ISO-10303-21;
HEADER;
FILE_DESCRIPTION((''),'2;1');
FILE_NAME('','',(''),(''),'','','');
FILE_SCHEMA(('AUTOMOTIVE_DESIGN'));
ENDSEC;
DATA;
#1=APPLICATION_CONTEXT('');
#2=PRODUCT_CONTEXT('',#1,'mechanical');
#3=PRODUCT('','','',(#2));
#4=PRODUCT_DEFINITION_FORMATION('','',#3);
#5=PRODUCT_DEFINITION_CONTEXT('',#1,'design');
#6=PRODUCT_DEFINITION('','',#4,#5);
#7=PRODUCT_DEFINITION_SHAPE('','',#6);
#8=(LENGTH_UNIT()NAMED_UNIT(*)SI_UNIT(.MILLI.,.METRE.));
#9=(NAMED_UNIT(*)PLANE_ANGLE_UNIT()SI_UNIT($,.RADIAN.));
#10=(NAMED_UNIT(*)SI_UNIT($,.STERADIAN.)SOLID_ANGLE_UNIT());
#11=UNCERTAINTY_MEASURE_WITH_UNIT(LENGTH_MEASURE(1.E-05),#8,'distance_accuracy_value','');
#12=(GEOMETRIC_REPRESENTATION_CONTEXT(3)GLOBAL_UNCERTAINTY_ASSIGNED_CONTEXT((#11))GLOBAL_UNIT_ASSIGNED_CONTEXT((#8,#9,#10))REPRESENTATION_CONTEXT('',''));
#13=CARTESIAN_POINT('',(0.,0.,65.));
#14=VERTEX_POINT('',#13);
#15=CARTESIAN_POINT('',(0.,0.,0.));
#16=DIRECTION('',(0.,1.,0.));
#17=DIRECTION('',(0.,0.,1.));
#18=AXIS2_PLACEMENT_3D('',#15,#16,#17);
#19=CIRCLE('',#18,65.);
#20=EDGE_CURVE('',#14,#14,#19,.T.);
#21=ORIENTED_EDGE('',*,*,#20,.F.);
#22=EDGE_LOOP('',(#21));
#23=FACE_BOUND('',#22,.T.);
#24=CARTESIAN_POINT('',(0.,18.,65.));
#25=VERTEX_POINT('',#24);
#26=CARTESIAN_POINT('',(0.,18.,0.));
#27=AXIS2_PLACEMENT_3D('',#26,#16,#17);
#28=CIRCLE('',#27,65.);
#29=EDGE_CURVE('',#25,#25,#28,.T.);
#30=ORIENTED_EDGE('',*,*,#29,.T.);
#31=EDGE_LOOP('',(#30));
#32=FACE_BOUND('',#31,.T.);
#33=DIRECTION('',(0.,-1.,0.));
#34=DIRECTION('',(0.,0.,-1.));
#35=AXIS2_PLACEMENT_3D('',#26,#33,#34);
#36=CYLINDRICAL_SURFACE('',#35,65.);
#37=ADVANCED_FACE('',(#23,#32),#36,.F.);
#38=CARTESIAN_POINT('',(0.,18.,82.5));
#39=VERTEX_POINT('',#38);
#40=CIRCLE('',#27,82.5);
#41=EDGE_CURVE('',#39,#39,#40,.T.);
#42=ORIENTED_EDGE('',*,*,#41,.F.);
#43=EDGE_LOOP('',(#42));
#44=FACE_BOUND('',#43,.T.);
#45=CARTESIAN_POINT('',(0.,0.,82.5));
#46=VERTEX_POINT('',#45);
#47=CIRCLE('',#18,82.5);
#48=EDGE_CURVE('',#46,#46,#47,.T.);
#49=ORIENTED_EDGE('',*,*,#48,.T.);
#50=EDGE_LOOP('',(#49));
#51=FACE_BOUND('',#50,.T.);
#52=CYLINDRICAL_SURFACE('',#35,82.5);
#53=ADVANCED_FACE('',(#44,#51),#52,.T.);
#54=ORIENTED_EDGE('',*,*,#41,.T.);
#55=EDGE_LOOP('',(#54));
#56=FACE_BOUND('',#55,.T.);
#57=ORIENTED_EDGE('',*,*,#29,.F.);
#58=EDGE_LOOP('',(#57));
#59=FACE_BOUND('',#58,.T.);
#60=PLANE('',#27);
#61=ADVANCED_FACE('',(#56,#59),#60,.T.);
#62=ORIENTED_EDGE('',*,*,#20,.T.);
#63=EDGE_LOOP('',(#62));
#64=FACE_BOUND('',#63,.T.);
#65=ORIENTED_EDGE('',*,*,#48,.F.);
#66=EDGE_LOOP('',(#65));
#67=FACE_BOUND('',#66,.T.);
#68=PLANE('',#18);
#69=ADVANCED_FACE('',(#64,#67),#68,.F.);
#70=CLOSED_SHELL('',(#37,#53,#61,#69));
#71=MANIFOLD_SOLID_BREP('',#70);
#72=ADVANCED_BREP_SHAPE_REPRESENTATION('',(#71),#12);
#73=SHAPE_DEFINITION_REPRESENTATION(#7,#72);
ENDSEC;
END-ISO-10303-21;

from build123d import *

# Parameters (mm, degrees)
SKETCH_1_R      = 82.5
SKETCH_1_R_2    = 65
EXTRUDE_1_DEPTH = 18


with BuildPart() as part:
    # 草图1 → 凸台-拉伸1 (new body)
    with BuildSketch(Plane(origin=(0, 0, 0), x_dir=(1, 0, 0), z_dir=(0, 1, 0))):
        with Locations(Location((0, 0, 0), (0, 0, 270))):
            Circle(SKETCH_1_R)
        with Locations(Location((0, 0, 0), (0, 0, 270))):
            Circle(SKETCH_1_R_2, mode=Mode.SUBTRACT)
    extrude(amount=EXTRUDE_1_DEPTH)


solid = part.part
